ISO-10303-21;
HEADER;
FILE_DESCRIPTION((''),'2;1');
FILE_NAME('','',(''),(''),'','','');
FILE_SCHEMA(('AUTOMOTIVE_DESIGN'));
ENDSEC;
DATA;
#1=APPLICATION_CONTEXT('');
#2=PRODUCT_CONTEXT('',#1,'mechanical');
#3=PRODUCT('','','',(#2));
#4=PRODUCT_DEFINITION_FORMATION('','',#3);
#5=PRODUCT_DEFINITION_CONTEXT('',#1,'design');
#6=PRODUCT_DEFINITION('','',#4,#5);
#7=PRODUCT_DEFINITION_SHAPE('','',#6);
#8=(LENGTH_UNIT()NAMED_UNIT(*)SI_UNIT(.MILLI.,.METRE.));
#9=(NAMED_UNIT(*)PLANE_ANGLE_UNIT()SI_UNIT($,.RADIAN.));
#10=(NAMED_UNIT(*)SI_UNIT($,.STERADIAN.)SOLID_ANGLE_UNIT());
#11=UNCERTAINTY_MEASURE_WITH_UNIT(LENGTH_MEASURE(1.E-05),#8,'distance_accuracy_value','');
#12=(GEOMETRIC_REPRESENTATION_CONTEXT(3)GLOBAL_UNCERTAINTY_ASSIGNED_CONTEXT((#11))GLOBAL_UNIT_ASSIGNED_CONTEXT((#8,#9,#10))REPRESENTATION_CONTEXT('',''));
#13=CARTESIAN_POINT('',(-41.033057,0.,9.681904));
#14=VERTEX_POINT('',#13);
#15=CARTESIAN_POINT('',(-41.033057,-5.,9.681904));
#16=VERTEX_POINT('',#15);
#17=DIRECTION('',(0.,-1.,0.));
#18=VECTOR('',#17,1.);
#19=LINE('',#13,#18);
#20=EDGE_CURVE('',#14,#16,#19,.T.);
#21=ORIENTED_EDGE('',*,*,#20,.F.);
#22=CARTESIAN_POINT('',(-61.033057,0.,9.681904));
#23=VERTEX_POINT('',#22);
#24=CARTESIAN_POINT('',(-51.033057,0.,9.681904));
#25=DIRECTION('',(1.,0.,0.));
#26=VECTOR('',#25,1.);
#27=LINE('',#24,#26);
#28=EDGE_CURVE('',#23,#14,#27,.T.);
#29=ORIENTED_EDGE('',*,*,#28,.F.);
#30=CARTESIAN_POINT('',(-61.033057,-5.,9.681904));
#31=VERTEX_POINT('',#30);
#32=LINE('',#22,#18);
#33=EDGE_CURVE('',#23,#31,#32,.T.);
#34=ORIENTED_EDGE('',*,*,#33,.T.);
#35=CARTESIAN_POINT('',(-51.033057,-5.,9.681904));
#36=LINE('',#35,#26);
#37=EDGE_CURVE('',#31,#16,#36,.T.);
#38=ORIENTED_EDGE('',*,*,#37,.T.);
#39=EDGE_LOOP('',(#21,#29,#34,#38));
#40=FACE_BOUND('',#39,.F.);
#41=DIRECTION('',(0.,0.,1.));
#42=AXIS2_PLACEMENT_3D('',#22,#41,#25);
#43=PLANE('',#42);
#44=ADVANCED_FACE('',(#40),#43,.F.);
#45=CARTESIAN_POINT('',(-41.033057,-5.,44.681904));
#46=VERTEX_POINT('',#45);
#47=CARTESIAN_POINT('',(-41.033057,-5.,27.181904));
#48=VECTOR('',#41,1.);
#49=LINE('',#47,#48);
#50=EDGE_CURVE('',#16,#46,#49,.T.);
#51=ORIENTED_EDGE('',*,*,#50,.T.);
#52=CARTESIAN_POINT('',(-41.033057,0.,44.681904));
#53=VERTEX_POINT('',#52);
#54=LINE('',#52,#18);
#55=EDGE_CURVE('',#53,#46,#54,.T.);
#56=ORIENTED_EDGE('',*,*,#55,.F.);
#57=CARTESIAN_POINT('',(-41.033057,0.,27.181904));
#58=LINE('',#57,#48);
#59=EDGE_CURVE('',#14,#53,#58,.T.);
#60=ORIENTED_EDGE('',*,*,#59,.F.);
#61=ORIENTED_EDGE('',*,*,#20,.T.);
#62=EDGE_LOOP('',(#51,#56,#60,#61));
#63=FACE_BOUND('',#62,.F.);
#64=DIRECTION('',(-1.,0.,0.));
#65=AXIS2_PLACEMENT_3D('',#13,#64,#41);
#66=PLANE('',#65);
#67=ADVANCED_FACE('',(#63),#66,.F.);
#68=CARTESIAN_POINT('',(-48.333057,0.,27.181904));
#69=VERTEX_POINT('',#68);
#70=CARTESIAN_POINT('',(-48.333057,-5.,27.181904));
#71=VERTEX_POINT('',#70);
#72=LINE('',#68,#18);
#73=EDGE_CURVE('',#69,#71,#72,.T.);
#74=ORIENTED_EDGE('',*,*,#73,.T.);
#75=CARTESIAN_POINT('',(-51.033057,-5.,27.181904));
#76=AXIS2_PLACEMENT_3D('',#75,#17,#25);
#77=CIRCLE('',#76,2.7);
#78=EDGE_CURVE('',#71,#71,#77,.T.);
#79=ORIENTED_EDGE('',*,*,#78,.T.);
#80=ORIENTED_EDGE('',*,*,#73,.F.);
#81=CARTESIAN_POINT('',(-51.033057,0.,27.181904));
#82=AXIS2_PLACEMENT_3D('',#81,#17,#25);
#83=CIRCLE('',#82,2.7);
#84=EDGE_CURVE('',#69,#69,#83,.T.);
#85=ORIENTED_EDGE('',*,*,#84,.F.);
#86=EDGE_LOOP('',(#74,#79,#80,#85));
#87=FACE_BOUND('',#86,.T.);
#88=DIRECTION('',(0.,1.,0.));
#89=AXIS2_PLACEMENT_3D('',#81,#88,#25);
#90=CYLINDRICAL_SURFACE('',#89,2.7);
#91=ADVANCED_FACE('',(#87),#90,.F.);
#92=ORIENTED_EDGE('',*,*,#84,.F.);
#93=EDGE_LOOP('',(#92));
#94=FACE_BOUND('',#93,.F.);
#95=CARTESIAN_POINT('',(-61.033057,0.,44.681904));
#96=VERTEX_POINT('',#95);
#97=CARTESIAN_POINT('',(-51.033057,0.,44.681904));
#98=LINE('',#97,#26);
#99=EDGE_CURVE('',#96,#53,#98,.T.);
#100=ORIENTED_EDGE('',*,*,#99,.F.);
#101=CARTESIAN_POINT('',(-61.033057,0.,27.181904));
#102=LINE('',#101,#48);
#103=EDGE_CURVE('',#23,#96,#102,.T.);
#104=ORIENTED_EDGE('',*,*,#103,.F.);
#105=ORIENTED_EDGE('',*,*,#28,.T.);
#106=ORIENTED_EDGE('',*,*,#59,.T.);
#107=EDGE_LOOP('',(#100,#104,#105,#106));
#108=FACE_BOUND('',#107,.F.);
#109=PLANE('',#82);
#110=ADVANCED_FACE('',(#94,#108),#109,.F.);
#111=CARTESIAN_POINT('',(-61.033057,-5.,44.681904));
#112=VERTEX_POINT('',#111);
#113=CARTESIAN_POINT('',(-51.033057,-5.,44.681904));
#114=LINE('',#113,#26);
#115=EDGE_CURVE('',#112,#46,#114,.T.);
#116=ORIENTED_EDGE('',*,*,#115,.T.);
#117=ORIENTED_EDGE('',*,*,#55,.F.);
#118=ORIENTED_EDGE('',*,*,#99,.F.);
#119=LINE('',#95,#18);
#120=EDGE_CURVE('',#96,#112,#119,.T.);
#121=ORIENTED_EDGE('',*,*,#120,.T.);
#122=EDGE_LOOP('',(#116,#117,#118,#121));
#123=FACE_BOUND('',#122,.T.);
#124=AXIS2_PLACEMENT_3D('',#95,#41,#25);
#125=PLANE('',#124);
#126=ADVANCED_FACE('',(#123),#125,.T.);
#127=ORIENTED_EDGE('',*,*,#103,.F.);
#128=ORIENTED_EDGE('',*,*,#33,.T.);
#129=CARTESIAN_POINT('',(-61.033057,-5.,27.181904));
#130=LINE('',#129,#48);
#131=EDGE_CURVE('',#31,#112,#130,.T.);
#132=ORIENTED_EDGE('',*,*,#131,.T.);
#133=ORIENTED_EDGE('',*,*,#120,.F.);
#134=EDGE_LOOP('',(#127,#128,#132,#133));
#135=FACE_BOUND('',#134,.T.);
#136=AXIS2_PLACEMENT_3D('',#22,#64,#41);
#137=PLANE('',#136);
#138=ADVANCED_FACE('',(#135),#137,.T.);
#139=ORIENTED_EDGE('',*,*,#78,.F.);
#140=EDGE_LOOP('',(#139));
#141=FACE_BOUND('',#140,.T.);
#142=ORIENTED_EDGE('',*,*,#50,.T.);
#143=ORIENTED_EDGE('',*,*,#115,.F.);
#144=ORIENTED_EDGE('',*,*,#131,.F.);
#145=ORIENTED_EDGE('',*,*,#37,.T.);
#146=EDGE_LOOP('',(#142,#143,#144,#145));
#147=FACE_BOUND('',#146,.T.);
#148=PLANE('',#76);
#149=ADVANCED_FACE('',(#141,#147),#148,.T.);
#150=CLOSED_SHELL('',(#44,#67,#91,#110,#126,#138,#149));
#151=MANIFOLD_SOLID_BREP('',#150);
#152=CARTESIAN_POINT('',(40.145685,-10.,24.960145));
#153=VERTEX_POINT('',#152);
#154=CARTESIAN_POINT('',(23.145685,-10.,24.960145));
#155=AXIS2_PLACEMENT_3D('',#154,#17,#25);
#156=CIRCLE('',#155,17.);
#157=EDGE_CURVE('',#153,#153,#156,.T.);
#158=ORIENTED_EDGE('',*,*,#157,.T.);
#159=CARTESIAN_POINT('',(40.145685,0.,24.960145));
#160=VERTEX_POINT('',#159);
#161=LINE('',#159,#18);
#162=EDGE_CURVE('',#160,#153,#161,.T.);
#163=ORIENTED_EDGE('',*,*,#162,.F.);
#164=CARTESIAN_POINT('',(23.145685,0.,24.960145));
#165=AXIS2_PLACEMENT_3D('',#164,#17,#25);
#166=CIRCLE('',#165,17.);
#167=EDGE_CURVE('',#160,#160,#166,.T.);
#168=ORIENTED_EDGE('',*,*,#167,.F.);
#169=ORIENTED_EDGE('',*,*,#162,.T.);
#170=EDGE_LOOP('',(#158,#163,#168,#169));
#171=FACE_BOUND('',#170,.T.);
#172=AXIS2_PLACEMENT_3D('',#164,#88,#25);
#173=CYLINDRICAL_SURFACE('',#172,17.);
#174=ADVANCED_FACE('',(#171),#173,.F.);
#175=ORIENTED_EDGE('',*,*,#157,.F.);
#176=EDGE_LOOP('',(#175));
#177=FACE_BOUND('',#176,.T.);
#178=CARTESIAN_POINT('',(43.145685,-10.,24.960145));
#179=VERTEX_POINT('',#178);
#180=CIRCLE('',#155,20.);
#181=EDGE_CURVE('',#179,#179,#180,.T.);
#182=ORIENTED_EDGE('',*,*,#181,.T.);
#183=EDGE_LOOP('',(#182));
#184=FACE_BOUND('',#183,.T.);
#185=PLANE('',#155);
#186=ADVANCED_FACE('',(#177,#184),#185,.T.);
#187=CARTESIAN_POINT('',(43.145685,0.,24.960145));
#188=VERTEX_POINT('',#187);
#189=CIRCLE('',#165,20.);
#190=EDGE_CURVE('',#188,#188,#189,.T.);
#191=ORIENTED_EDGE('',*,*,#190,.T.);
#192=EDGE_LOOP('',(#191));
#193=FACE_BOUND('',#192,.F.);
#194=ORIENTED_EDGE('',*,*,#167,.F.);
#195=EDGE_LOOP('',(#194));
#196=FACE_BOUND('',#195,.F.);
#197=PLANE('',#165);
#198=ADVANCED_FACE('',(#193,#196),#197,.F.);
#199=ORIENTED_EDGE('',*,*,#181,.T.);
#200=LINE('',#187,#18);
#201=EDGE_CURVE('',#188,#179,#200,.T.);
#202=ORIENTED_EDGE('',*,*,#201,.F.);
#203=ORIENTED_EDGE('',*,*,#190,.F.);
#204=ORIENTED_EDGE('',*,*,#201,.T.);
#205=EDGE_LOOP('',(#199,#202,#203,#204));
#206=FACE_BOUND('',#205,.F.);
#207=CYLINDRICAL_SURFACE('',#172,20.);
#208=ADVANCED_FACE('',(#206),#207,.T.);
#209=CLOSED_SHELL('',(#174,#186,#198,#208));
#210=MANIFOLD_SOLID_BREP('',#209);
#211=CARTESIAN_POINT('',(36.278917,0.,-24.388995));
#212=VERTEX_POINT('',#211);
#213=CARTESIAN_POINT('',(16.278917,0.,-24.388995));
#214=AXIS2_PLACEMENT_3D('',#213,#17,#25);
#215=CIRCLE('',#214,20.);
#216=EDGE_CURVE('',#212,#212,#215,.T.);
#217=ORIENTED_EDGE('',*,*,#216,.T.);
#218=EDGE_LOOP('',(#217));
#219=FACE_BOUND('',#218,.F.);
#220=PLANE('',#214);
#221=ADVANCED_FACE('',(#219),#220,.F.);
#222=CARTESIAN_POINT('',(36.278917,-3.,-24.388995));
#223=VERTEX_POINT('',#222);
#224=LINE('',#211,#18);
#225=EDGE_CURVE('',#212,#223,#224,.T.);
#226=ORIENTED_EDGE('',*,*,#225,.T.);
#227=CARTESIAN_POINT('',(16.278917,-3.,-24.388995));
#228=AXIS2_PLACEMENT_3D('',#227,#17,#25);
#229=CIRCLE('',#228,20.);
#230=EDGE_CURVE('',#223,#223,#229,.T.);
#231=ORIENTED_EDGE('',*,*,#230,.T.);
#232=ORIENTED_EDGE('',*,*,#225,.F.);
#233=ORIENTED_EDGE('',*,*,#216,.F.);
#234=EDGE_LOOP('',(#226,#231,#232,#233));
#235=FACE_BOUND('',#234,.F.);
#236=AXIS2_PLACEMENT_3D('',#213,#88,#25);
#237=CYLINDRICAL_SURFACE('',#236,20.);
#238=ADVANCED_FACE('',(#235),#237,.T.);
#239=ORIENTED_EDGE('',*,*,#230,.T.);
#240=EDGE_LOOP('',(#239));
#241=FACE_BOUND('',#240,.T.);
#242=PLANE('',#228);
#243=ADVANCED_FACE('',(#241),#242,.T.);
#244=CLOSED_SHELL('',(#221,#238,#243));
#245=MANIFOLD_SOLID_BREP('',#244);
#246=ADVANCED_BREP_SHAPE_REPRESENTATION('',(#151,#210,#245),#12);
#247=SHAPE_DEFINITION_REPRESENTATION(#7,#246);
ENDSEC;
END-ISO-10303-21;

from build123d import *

# Parameters (mm, degrees)
F0_W     = 20
F0_H     = 35
F0_R     = 2.7
F1_DEPTH = 5
F2_R     = 20
F2_R_2   = 17
F3_DEPTH = 10
F4_R     = 20
F5_DEPTH = 3


with BuildPart() as f1:
    # F0 (on Front) → F1 (new body)
    with BuildSketch(Plane.XZ):
        with Locations((-51.033057, 27.181904)):
            Rectangle(F0_W, F0_H)
        with Locations((-51.033057, 27.181904)):
            Circle(F0_R, mode=Mode.SUBTRACT)
    extrude(amount=F1_DEPTH)


with BuildPart() as f3:
    # F2 (on Front) → F3 (new body)
    with BuildSketch(Plane.XZ):
        with Locations((23.145685, 24.960145)):
            Circle(F2_R)
        with Locations((23.145685, 24.960145)):
            Circle(F2_R_2, mode=Mode.SUBTRACT)
    extrude(amount=F3_DEPTH)


with BuildPart() as f5:
    # F4 (on Front) → F5 (new body)
    with BuildSketch(Plane.XZ):
        with Locations((16.278917, -24.388995)):
            Circle(F4_R)
    extrude(amount=F5_DEPTH)


solid = Compound([f1.part, f3.part, f5.part])
